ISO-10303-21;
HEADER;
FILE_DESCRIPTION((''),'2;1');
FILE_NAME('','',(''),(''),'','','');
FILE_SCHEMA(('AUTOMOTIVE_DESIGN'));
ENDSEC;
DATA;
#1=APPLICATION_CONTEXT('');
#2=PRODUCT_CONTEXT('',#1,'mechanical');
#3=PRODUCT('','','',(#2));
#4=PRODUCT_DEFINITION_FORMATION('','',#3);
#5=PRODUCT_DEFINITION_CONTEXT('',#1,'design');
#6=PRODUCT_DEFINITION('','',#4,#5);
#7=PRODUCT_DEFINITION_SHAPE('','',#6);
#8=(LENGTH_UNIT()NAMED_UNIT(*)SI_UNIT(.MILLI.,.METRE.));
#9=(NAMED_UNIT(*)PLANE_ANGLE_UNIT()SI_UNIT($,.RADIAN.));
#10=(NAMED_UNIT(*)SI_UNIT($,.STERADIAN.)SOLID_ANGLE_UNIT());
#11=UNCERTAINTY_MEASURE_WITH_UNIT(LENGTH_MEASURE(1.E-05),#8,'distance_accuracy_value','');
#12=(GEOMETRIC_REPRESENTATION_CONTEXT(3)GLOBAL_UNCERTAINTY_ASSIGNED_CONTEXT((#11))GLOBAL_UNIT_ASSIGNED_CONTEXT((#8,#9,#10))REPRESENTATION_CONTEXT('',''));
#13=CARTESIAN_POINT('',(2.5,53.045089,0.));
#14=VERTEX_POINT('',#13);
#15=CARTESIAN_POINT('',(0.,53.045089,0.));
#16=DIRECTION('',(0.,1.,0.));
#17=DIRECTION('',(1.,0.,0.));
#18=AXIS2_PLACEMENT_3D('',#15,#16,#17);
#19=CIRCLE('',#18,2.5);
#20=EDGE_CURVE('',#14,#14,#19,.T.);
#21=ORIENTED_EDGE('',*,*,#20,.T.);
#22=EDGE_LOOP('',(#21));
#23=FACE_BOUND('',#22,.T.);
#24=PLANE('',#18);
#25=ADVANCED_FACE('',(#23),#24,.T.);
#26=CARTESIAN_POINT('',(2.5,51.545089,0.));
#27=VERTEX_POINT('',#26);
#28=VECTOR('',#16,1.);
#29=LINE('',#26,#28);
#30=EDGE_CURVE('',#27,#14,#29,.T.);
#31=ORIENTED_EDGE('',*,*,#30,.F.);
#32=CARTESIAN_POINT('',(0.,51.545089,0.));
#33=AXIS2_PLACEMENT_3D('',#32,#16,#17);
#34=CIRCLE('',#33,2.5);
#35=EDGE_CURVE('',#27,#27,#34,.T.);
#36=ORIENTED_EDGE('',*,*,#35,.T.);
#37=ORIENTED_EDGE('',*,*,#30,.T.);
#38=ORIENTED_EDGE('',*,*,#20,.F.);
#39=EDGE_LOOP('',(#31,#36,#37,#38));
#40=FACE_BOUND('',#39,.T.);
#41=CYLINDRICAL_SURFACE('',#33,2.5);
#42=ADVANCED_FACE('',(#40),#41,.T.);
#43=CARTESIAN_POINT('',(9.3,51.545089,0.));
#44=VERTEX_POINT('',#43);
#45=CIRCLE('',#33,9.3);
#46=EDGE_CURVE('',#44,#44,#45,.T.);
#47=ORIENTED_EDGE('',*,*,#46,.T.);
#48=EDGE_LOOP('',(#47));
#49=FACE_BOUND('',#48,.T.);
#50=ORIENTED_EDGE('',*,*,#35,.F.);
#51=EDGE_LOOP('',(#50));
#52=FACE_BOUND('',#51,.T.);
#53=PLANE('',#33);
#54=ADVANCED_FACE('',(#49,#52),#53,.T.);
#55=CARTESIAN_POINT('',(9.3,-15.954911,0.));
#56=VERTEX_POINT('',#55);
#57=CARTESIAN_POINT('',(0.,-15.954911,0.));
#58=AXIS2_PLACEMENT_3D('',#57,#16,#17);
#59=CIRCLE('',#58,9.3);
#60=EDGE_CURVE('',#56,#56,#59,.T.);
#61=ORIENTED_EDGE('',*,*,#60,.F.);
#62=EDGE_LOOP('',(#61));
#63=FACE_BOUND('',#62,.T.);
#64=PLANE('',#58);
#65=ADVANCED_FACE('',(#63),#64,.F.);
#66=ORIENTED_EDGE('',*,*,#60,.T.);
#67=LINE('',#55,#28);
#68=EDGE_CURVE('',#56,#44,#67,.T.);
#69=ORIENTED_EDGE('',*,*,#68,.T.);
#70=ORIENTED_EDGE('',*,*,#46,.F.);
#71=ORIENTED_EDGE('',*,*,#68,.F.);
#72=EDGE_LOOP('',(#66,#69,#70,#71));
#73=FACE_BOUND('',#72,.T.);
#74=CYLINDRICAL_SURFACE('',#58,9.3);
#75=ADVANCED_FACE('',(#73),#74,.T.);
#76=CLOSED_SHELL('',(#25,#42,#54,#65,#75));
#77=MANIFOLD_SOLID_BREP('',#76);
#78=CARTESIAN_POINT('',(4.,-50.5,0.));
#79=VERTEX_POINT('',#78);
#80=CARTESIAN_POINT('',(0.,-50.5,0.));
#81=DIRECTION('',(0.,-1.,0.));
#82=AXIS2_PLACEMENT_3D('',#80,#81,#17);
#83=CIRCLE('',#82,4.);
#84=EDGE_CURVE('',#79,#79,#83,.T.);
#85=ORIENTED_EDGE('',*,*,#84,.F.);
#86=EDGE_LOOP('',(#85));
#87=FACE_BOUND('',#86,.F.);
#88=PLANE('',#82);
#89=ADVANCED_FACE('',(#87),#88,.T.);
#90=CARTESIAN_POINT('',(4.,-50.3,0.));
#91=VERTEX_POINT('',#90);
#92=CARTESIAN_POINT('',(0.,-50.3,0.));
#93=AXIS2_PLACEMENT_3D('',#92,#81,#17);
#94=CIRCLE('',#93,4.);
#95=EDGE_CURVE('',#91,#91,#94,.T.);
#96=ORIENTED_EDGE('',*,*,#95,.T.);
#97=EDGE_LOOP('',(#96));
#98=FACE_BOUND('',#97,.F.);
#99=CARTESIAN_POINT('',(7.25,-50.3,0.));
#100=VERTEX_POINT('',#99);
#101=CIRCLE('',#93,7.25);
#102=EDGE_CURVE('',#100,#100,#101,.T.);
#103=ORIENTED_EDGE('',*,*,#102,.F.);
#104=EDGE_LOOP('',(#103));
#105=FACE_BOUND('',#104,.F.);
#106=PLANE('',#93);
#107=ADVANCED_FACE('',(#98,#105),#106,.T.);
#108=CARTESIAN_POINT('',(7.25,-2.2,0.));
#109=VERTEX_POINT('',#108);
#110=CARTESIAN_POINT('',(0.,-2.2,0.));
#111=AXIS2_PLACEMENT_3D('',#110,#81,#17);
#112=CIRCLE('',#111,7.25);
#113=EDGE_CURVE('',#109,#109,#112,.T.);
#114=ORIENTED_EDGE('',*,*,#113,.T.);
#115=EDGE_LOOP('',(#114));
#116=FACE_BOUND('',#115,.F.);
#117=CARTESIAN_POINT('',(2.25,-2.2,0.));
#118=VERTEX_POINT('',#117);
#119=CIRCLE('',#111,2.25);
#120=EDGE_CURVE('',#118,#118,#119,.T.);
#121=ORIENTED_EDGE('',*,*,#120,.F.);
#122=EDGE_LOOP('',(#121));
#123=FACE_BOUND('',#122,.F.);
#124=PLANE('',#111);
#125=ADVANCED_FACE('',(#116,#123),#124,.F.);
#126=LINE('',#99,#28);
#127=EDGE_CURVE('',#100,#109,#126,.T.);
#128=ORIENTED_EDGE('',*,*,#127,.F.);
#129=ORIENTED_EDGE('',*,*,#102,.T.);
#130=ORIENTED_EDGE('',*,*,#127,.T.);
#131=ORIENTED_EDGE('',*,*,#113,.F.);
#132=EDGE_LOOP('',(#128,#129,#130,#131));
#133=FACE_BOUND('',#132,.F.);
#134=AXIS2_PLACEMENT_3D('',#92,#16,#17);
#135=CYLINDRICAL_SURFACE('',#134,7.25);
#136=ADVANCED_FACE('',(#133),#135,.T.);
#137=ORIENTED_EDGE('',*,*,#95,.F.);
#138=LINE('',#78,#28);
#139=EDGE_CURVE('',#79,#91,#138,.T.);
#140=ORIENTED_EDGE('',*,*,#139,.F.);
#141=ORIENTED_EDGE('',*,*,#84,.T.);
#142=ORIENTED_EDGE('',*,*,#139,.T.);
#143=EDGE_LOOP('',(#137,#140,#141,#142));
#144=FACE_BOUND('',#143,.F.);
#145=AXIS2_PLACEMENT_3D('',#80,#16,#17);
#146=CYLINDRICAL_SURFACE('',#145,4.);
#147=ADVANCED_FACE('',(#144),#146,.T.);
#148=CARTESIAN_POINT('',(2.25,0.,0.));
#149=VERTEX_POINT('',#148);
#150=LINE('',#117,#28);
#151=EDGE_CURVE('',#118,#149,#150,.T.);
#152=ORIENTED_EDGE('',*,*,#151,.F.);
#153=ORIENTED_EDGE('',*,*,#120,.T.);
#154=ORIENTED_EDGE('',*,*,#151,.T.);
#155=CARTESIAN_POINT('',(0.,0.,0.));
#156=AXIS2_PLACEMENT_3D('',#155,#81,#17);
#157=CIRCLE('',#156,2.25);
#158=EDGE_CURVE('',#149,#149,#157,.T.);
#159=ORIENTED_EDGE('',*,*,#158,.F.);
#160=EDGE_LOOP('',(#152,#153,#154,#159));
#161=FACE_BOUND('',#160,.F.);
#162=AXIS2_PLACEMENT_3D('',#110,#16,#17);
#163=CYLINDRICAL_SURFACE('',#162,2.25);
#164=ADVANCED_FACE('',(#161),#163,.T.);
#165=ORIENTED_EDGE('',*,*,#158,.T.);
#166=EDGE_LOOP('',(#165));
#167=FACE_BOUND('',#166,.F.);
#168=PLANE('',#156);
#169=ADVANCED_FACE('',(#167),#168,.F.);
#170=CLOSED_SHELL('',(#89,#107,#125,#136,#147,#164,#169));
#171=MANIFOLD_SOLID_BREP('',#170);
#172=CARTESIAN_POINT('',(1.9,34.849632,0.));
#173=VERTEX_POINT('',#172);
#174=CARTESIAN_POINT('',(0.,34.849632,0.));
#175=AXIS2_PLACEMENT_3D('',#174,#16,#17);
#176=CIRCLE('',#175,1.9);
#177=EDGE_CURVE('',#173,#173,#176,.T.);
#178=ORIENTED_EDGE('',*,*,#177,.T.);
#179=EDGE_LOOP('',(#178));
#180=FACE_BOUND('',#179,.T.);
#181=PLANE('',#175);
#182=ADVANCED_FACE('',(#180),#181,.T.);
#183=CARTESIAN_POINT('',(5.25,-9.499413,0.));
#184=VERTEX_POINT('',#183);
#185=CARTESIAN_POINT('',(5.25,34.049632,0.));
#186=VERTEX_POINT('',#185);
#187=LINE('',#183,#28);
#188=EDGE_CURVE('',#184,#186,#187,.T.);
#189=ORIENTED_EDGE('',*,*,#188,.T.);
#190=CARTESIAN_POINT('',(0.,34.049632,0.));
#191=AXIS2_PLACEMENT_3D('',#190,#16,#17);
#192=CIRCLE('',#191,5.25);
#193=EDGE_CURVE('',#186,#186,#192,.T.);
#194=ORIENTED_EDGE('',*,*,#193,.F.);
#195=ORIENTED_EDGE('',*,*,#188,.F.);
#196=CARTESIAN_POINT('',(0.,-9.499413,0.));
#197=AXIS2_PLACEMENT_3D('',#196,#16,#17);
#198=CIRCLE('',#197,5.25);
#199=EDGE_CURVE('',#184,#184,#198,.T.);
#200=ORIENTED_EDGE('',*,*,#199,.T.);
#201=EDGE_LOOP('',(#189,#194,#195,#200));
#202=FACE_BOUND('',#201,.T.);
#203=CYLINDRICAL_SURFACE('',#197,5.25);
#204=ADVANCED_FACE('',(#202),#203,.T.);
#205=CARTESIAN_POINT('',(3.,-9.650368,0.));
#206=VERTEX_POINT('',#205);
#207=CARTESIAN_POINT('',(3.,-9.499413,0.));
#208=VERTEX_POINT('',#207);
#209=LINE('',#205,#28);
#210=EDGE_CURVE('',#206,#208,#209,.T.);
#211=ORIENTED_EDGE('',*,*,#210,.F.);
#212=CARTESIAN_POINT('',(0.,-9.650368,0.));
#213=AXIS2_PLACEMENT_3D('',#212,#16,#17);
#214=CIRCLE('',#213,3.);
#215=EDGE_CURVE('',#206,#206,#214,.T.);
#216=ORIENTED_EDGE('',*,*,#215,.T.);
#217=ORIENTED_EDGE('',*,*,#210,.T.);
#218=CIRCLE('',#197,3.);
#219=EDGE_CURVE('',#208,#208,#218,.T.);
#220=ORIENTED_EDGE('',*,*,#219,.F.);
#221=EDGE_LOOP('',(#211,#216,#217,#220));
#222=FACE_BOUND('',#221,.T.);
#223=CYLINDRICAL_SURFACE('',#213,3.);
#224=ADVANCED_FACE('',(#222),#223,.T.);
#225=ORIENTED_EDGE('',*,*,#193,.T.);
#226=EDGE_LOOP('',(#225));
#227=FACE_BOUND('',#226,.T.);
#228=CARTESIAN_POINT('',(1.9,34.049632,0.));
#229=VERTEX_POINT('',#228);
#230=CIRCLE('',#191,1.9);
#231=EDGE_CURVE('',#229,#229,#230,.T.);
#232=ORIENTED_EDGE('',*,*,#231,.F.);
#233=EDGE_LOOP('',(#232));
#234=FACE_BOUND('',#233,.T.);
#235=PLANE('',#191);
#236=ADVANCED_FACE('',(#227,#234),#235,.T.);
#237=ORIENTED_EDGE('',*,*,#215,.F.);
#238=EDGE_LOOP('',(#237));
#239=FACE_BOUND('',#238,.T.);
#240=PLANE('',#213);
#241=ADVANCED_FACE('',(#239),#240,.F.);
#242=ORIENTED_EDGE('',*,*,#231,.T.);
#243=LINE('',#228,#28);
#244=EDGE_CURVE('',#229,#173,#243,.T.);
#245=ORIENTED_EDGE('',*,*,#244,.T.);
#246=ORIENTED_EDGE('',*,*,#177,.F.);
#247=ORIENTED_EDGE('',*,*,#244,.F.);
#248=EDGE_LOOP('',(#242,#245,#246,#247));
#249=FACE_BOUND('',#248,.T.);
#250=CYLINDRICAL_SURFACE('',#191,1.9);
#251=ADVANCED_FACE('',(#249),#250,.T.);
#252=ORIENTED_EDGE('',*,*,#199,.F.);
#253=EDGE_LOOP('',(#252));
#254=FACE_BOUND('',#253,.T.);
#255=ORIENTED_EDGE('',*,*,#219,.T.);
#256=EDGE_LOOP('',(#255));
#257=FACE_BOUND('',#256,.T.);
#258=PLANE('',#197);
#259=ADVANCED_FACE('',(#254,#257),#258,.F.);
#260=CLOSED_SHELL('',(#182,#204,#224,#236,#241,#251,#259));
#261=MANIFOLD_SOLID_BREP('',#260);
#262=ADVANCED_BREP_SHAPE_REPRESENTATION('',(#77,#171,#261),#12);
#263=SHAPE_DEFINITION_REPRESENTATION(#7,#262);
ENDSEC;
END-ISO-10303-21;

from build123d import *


with BuildPart() as f1:
    # F0 (on Top) → F1 (revolve)
    with BuildSketch(Plane.XY):
        Polygon((2.25, 0), (0, 0), (0, -50.5), (4, -50.5), (4, -50.3), (7.25, -50.3), (7.25, -2.2), (2.25, -2.2), align=None)
    revolve(axis=Axis((0, 17.907274, 0), (0, -1, 0)))


with BuildPart() as f3:
    # F2 (on Top) → F3 (revolve)
    with BuildSketch(Plane.XY):
        Polygon((1.9, 34.849632), (0, 34.849632), (0, -9.650368), (3, -9.650368), (3, -9.499413), (5.25, -9.499413), (5.25, 34.049632), (1.9, 34.049632), align=None)
    revolve(axis=Axis((0, 12.599632, 0), (0, 1, 0)))


with BuildPart() as f5:
    # F4 (on Top) → F5 (revolve)
    with BuildSketch(Plane.XY):
        Polygon((2.5, 53.045089), (0, 53.045089), (0, -15.954911), (9.3, -15.954911), (9.3, 51.545089), (2.5, 51.545089), align=None)
    revolve(axis=Axis((0, 18.545089, 0), (0, 1, 0)))


solid = Compound([f1.part, f3.part, f5.part])
